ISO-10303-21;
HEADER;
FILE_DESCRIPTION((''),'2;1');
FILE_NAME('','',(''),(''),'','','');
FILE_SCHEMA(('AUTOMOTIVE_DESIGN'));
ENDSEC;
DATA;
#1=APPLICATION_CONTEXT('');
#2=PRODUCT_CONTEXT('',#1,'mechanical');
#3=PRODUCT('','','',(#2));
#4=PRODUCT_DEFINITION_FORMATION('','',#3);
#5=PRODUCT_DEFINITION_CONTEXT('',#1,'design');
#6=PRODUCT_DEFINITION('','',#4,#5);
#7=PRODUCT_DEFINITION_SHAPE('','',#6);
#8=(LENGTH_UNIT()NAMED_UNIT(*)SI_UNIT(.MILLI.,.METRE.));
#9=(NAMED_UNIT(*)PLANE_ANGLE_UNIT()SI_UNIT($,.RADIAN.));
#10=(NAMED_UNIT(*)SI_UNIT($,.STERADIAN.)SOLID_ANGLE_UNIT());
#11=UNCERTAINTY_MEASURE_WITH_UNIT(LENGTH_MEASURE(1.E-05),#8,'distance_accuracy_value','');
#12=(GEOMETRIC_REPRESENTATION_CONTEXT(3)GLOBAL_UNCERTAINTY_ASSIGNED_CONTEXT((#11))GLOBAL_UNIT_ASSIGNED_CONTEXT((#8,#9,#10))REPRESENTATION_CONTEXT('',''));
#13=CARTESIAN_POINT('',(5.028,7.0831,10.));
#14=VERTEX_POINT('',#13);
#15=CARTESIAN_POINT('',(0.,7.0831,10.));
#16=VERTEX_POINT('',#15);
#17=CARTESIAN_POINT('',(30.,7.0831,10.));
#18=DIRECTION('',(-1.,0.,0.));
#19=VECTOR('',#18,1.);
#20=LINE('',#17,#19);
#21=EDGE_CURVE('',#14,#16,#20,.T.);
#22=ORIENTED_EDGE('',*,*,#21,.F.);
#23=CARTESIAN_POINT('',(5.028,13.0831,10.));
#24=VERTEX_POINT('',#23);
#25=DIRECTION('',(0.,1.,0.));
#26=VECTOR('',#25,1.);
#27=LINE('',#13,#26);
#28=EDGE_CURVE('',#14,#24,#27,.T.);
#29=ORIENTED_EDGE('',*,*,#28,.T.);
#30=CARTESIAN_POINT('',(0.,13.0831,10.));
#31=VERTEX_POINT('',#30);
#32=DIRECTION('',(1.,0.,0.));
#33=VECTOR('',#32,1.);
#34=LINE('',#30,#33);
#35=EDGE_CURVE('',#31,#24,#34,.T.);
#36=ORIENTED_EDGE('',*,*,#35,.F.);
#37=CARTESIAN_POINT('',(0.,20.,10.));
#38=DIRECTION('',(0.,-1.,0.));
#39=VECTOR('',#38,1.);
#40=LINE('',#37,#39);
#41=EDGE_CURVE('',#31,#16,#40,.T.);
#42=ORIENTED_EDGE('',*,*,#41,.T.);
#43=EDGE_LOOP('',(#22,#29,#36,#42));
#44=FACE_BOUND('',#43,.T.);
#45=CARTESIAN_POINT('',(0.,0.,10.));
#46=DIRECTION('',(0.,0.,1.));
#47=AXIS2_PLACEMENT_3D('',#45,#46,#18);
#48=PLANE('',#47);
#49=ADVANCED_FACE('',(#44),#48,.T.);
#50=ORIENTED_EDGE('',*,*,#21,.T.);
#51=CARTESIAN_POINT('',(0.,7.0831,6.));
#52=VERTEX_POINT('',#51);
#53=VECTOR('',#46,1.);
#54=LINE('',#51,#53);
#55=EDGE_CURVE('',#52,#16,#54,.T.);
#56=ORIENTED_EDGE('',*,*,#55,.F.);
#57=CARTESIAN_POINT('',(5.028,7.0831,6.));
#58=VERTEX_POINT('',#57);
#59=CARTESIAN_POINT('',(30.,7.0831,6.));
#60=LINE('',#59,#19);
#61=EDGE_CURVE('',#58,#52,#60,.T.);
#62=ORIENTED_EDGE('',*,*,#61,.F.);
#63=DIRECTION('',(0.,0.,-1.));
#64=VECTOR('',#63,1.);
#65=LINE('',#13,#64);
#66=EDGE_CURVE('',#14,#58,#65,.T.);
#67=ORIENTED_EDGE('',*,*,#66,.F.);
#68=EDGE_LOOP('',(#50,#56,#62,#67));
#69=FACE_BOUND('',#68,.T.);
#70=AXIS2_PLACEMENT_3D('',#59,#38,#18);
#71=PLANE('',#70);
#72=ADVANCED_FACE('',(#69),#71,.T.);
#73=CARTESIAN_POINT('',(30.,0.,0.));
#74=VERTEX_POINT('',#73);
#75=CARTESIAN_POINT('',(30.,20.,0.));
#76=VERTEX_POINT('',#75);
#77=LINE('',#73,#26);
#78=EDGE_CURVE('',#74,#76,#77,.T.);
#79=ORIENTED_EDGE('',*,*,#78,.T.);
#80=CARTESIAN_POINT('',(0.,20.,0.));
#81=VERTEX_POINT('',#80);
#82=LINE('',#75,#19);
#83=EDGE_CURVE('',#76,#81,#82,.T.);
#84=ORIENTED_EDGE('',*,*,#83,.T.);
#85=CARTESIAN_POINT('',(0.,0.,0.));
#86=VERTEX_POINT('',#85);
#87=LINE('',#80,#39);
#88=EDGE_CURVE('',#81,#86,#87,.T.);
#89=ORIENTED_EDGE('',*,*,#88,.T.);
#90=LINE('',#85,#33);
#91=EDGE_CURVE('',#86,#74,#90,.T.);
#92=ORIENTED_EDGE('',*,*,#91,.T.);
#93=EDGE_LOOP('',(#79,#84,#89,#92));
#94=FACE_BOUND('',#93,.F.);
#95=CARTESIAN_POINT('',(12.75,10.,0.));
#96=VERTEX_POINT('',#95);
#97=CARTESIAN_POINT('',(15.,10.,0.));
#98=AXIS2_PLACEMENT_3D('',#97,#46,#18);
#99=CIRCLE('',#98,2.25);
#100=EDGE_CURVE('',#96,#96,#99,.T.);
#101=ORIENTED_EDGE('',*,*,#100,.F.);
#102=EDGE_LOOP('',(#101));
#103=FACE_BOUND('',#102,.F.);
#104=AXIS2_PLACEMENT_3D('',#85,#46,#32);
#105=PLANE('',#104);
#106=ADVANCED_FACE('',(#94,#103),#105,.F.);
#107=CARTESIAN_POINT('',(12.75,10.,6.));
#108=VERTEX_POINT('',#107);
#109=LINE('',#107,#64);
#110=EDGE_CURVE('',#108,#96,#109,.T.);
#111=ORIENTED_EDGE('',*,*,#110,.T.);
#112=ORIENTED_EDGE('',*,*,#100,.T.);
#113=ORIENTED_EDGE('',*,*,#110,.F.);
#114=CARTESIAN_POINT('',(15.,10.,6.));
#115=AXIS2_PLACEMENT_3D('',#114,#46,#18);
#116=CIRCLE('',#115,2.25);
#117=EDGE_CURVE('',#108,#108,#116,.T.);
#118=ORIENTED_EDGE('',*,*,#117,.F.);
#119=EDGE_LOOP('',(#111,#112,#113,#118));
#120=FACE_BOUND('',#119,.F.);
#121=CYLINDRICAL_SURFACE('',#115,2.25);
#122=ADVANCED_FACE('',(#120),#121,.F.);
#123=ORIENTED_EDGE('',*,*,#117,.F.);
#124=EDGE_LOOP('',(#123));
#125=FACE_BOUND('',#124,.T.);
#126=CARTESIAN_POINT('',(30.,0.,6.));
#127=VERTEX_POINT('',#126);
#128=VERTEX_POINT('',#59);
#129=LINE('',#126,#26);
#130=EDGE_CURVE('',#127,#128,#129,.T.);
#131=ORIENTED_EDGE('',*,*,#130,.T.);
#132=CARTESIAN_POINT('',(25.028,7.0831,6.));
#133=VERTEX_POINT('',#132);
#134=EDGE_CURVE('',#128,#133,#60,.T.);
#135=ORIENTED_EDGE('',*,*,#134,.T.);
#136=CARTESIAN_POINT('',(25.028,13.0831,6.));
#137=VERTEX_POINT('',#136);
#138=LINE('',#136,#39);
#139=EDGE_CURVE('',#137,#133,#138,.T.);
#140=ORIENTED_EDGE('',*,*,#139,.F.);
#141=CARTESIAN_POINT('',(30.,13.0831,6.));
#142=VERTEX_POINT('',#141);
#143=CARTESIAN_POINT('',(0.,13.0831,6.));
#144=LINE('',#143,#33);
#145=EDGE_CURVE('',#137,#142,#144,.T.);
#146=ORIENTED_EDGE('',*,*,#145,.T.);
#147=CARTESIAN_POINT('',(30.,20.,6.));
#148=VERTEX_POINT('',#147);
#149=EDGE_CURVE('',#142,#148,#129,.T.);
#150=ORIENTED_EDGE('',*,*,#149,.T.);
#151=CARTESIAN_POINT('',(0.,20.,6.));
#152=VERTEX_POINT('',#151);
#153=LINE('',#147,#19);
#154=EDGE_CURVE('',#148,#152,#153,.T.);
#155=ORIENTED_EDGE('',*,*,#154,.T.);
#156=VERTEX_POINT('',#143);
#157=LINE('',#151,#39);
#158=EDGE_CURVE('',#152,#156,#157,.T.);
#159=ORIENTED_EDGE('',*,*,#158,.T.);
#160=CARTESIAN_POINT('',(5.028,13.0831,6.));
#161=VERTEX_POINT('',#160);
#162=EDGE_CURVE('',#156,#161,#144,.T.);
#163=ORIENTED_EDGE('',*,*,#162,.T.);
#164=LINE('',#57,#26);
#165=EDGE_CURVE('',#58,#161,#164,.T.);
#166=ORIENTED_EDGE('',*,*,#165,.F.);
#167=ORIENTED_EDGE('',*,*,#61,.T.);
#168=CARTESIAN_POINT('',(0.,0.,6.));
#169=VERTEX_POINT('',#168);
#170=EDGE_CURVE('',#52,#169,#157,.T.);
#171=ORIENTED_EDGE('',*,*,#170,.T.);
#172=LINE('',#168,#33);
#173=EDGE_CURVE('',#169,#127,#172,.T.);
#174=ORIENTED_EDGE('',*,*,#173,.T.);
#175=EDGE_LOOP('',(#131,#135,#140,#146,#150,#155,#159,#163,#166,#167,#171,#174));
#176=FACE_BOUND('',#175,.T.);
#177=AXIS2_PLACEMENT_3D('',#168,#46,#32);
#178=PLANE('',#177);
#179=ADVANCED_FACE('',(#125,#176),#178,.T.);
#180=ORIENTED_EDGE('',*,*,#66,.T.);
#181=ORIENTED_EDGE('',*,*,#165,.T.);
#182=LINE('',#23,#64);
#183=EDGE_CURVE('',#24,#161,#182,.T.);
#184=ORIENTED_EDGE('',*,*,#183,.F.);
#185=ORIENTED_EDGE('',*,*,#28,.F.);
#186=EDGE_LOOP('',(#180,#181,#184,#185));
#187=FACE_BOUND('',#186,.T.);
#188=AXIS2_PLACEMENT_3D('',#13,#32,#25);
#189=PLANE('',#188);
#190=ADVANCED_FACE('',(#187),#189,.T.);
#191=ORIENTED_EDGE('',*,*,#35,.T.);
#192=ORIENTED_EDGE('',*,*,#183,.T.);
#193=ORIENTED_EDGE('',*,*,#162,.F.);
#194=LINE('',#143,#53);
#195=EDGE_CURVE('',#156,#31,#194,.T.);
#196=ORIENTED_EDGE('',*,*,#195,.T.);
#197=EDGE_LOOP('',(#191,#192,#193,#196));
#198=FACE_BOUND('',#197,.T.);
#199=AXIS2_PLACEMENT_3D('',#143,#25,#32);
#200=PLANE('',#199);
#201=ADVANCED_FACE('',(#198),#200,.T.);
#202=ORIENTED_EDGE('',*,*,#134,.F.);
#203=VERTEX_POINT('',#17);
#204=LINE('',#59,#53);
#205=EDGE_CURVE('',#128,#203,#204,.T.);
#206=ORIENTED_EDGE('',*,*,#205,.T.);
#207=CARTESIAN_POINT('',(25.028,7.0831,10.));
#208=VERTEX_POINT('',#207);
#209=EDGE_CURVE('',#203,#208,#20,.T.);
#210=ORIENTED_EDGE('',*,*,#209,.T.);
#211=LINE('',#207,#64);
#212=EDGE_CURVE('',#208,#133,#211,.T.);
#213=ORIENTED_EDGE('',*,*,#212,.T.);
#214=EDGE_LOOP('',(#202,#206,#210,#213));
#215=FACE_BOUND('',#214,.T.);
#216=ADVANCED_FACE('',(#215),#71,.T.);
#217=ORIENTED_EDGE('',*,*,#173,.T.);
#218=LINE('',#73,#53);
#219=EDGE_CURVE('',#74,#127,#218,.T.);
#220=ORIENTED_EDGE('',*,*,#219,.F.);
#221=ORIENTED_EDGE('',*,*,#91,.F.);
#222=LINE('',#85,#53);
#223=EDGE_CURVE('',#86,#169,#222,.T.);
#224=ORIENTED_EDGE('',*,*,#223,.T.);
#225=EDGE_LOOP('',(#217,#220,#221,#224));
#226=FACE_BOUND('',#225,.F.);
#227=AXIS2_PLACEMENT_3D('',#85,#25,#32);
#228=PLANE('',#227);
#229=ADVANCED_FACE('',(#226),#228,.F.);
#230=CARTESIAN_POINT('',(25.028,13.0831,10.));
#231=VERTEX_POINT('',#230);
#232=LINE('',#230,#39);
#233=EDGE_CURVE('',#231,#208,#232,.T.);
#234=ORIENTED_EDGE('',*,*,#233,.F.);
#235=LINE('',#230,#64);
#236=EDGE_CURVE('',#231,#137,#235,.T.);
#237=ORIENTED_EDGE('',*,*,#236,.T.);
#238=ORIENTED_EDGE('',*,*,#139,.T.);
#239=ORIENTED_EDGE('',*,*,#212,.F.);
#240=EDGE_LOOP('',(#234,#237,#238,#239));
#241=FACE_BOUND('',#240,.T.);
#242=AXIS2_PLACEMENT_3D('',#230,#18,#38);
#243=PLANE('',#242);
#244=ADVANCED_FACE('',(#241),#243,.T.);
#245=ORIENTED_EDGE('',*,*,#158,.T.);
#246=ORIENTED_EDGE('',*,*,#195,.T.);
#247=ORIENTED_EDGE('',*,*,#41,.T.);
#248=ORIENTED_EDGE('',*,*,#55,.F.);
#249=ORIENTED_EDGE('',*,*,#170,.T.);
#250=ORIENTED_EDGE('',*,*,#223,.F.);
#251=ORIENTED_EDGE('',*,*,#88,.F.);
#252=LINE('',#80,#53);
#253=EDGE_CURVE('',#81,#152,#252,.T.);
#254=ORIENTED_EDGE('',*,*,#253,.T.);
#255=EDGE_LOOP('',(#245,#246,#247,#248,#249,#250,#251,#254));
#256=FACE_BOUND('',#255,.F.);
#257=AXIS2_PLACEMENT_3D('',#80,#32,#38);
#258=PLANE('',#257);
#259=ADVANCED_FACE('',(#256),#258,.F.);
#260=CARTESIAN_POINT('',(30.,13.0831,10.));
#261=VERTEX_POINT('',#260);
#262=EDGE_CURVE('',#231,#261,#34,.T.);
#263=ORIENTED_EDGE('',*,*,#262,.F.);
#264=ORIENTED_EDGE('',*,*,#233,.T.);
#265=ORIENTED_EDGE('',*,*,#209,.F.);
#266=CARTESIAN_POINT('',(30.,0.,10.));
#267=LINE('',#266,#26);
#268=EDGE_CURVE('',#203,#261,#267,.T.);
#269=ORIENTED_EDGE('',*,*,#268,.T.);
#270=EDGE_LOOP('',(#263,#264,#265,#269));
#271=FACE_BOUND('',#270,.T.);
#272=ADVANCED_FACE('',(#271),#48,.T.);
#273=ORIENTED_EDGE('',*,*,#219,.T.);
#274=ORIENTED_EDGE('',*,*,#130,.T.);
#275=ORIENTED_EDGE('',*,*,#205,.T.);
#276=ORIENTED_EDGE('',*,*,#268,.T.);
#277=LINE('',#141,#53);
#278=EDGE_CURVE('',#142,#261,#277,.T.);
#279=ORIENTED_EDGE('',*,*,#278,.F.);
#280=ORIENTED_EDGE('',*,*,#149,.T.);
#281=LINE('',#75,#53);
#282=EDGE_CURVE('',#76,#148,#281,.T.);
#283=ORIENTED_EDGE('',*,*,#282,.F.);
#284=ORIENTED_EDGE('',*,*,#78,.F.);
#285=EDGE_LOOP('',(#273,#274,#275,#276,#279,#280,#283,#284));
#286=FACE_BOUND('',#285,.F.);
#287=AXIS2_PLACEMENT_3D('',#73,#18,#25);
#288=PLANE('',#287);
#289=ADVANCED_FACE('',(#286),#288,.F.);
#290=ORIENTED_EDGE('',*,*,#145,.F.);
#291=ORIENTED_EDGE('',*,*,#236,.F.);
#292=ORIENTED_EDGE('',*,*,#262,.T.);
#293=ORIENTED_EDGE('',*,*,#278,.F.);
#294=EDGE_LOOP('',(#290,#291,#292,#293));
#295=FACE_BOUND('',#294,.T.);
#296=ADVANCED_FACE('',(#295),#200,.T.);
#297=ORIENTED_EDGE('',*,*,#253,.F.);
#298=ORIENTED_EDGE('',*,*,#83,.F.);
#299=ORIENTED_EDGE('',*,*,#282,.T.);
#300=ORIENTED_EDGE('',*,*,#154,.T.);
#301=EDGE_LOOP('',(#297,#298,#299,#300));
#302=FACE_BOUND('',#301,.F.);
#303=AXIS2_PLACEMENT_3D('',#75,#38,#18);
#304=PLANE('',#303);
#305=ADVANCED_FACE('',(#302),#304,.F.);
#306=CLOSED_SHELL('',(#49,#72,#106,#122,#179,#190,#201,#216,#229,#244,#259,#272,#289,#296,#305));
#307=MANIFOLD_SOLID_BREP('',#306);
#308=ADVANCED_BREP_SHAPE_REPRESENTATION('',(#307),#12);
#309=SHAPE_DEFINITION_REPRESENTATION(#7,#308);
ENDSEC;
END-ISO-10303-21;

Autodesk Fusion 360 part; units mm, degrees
sketch "Skizze1" plane through (0, 0, 0) normal (0, 0, 1) x (1, 0, 0)
  line L0 (0, 0) -> (30, 0)
  line L1 (30, 0) -> (30, 20)
  line L2 (30, 20) -> (0, 20)
  line L3 (0, 20) -> (0, 0)
  dimension "d1" = 30
  dimension "d2" = 20
extrude "Extrusion1" add sketch "Skizze1" along normal blind 6
sketch "Skizze2" plane through (0, 0, 6) normal (0, 0, 1) x (-1, 0, 0)
  line L0 (0, -20) -> (0, 0)
  line L1 (0, 0) -> (-30, 0)
  line L2 (-30, 0) -> (-30, -20)
  line L3 (-30, -20) -> (0, -20)
  line L4 (0, -13.0831) -> (-30, -13.0831)
  line L5 (-30, -13.0831) -> (-30, -7.0831)
  line L6 (-30, -7.0831) -> (0, -7.0831)
  line L7 (0, -7.0831) -> (0, -13.0831)
  dimension "d5" = 30
  dimension "d6" = 6
extrude "Extrusion2" add sketch "Skizze2" along normal blind 4 contours L0 L2 L4 L5 L6 L7
sketch "Skizze3" plane through (0, 0, 10) normal (0, 0, 1) x (-1, 0, 0)
  line L0 (0, -7.0831) -> (-30, -7.0831)
  line L1 (-30, -7.0831) -> (-30, -13.0831)
  line L2 (-30, -13.0831) -> (0, -13.0831)
  line L3 (0, -13.0831) -> (0, -7.0831)
  line L4 (-5.028, -13.0831) -> (-25.028, -13.0831)
  line L5 (-25.028, -13.0831) -> (-25.028, -7.0831)
  line L6 (-25.028, -7.0831) -> (-5.028, -7.0831)
  line L7 (-5.028, -7.0831) -> (-5.028, -13.0831)
  dimension "d9" = 20
  dimension "d10" = 6
extrude "Extrusion3" cut sketch "Skizze3" against normal blind 4 contours L0 L2 L4 L5 L6 L7
sketch "Skizze4" plane through (0, 0, 6) normal (0, 0, 1) x (-1, 0, 0)
  line L0 (0, -13.0831) -> (-5.028, -13.0831)
  line L1 (-5.028, -13.0831) -> (-5.028, -7.0831)
  line L2 (-5.028, -7.0831) -> (0, -7.0831)
  line L3 (0, -7.0831) -> (0, 0)
  line L4 (0, 0) -> (-30, 0)
  line L5 (-30, 0) -> (-30, -7.0831)
  line L6 (-30, -7.0831) -> (-25.028, -7.0831)
  line L7 (-25.028, -7.0831) -> (-25.028, -13.0831)
  line L8 (-25.028, -13.0831) -> (-30, -13.0831)
  line L9 (-30, -13.0831) -> (-30, -20)
  line L10 (-30, -20) -> (0, -20)
  line L11 (0, -20) -> (0, -13.0831)
  circle A0 centre (-15, -10) radius 2.25
  dimension "d13" = 4.5
extrude "Extrusion4" cut sketch "Skizze4" against normal blind 6 contours A0
